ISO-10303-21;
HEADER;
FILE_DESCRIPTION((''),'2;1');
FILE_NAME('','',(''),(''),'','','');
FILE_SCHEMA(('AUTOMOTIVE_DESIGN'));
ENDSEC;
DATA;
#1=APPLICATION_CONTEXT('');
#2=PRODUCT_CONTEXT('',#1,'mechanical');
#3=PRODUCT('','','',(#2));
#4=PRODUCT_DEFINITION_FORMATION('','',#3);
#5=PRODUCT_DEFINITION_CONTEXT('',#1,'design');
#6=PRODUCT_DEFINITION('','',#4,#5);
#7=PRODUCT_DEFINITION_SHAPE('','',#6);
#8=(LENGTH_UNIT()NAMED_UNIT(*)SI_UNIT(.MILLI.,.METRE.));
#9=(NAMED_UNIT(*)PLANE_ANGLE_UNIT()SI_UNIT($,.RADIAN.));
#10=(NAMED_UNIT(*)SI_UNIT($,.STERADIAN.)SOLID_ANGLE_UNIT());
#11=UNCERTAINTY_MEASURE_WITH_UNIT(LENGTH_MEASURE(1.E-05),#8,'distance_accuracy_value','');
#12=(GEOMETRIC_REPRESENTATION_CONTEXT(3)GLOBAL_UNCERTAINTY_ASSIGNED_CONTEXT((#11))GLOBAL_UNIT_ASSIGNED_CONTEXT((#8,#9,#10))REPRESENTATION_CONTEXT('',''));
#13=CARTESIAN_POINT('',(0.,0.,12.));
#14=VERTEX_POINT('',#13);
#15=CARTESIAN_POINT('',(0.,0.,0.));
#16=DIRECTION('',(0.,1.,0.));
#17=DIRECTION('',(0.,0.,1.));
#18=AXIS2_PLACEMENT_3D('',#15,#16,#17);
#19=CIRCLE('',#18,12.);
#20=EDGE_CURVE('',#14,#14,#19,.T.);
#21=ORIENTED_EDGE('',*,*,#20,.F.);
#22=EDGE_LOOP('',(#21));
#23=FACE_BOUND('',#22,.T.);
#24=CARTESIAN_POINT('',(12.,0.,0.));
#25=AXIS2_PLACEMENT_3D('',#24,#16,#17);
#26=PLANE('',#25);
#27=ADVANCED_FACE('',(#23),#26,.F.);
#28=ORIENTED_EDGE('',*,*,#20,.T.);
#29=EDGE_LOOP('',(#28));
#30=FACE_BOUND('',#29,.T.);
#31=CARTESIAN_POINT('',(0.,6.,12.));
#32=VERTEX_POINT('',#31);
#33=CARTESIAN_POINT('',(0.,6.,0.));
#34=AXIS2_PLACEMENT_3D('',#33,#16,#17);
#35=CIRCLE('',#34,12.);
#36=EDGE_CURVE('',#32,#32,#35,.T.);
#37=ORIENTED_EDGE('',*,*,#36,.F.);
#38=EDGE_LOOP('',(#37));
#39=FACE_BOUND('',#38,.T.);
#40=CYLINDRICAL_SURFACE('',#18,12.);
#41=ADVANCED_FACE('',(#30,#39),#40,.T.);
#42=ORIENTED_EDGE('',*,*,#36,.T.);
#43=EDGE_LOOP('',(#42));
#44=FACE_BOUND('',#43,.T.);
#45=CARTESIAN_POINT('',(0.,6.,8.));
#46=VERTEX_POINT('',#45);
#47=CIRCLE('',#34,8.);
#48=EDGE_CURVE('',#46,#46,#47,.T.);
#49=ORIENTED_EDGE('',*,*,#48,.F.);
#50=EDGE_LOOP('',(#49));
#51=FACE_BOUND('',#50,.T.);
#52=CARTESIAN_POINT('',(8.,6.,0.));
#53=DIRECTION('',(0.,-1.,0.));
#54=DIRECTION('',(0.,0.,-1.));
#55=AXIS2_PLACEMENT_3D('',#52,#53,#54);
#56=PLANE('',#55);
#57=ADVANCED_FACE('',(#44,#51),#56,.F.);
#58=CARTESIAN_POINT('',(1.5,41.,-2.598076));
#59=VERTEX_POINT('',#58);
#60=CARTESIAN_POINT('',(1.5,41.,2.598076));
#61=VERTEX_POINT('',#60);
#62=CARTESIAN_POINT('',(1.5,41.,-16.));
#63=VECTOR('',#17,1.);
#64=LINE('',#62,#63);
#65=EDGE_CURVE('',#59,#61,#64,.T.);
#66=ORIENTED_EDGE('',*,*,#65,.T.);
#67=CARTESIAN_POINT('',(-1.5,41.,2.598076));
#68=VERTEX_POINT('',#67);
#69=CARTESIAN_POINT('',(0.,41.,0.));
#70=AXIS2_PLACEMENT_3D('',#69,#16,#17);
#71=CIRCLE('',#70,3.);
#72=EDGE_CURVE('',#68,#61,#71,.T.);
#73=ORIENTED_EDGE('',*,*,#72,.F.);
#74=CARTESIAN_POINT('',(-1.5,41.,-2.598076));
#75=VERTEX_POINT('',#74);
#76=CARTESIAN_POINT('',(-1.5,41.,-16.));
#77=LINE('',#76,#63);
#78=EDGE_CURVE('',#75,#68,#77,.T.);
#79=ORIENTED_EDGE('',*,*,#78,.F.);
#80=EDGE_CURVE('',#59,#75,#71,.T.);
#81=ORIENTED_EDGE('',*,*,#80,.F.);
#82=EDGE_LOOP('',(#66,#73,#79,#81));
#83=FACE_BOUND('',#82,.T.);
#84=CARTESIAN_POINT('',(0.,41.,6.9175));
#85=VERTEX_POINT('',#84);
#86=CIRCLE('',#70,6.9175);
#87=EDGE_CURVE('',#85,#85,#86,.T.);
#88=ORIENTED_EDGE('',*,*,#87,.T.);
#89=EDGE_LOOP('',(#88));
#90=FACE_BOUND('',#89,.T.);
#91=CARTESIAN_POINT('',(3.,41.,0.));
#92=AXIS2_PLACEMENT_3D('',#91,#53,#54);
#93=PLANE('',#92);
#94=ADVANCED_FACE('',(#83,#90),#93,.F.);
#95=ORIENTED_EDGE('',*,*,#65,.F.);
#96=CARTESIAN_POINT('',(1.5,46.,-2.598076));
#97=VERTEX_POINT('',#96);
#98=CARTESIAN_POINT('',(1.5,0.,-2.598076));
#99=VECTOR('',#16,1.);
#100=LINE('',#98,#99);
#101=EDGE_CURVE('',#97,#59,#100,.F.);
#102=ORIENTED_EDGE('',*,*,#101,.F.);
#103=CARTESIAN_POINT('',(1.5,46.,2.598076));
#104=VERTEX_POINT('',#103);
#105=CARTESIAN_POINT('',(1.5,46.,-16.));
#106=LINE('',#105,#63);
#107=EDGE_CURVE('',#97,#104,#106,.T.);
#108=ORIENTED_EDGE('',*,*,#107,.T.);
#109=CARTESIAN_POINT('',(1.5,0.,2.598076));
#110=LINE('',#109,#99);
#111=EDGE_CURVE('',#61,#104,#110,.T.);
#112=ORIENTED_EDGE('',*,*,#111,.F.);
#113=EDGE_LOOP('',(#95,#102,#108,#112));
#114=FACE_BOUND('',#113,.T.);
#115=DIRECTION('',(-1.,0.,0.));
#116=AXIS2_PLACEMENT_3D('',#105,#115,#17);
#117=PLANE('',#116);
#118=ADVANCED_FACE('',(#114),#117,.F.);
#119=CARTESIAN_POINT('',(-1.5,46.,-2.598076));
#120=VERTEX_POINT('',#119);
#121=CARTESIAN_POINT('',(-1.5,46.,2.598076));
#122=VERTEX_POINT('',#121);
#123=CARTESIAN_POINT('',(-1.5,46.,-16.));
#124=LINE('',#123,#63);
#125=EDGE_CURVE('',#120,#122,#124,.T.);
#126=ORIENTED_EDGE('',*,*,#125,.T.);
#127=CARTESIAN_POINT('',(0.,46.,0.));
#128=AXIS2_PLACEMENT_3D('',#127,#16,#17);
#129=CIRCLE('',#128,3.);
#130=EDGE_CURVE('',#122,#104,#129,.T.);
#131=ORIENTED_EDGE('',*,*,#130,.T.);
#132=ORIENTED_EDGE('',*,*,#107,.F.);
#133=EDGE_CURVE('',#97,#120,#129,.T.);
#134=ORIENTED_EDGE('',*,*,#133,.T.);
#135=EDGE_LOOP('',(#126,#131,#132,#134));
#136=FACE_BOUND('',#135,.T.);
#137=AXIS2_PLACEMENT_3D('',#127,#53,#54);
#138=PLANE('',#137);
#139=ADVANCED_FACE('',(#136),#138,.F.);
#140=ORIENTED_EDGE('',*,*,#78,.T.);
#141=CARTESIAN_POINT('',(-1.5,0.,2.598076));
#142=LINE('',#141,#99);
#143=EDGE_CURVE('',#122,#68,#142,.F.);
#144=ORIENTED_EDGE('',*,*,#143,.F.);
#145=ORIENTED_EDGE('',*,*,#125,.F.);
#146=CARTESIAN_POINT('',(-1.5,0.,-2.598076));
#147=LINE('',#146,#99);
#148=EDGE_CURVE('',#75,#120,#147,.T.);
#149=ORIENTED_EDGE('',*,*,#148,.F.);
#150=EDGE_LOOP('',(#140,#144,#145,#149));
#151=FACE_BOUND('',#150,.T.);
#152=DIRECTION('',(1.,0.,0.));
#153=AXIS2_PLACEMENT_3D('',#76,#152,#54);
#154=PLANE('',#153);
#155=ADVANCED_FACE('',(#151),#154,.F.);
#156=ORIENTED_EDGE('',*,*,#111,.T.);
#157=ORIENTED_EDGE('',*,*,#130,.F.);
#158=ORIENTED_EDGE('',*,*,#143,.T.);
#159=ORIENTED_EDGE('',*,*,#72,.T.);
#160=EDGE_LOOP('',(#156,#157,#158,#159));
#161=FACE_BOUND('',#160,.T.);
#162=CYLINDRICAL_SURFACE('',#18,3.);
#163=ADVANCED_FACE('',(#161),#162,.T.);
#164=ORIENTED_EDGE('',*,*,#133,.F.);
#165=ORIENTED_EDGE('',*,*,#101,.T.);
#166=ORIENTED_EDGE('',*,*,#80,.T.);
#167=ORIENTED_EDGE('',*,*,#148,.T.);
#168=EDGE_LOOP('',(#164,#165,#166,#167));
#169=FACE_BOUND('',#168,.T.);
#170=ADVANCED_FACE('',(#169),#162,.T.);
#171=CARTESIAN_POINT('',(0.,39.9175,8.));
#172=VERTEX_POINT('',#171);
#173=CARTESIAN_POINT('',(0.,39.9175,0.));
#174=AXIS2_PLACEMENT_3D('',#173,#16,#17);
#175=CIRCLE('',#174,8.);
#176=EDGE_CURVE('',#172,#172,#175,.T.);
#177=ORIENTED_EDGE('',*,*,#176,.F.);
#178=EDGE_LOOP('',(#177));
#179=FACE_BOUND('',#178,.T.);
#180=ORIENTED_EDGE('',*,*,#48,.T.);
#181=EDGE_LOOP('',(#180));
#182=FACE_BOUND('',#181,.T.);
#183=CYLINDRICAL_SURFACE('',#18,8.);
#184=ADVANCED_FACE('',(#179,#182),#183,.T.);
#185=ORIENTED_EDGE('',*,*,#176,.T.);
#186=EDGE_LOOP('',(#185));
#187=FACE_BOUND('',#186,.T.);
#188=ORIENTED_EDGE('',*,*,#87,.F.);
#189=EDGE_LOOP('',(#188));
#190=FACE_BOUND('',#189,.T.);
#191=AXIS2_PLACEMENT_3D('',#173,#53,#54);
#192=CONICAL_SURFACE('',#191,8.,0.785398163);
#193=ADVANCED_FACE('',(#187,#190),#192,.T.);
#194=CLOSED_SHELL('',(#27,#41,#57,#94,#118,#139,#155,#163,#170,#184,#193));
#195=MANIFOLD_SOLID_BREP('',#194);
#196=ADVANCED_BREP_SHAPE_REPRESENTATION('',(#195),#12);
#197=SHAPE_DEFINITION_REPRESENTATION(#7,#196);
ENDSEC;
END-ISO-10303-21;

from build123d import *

# Parameters (mm, degrees)
CUT_EXTRUDE_1_DEPTH      = 16
CUT_EXTRUDE_1_DEPTH_BACK = 16


with BuildPart() as part:
    # 草图1 → 旋转1 (revolve)
    with BuildSketch(Plane.XY):
        Polygon((0, 46), (3, 46), (3, 41), (6.9175, 41), (8, 39.9175), (8, 6), (12, 6), (12, 0), (0, 0), align=None)
    revolve(axis=Axis((0, 0, 0), (0, 1, 0)))

    # 草图2 → 切除-拉伸1 (cut, two sides: drawn at the far end of the back side and taken through both)
    with BuildSketch(Plane.XY.offset(-CUT_EXTRUDE_1_DEPTH_BACK)):
        Polygon((-3, 41), (-1.5, 41), (-1.5, 46), (1.5, 46), (1.5, 41), (3, 41), (3, 49), (-3, 49), align=None)
    extrude(amount=CUT_EXTRUDE_1_DEPTH + CUT_EXTRUDE_1_DEPTH_BACK, mode=Mode.SUBTRACT)


solid = part.part
